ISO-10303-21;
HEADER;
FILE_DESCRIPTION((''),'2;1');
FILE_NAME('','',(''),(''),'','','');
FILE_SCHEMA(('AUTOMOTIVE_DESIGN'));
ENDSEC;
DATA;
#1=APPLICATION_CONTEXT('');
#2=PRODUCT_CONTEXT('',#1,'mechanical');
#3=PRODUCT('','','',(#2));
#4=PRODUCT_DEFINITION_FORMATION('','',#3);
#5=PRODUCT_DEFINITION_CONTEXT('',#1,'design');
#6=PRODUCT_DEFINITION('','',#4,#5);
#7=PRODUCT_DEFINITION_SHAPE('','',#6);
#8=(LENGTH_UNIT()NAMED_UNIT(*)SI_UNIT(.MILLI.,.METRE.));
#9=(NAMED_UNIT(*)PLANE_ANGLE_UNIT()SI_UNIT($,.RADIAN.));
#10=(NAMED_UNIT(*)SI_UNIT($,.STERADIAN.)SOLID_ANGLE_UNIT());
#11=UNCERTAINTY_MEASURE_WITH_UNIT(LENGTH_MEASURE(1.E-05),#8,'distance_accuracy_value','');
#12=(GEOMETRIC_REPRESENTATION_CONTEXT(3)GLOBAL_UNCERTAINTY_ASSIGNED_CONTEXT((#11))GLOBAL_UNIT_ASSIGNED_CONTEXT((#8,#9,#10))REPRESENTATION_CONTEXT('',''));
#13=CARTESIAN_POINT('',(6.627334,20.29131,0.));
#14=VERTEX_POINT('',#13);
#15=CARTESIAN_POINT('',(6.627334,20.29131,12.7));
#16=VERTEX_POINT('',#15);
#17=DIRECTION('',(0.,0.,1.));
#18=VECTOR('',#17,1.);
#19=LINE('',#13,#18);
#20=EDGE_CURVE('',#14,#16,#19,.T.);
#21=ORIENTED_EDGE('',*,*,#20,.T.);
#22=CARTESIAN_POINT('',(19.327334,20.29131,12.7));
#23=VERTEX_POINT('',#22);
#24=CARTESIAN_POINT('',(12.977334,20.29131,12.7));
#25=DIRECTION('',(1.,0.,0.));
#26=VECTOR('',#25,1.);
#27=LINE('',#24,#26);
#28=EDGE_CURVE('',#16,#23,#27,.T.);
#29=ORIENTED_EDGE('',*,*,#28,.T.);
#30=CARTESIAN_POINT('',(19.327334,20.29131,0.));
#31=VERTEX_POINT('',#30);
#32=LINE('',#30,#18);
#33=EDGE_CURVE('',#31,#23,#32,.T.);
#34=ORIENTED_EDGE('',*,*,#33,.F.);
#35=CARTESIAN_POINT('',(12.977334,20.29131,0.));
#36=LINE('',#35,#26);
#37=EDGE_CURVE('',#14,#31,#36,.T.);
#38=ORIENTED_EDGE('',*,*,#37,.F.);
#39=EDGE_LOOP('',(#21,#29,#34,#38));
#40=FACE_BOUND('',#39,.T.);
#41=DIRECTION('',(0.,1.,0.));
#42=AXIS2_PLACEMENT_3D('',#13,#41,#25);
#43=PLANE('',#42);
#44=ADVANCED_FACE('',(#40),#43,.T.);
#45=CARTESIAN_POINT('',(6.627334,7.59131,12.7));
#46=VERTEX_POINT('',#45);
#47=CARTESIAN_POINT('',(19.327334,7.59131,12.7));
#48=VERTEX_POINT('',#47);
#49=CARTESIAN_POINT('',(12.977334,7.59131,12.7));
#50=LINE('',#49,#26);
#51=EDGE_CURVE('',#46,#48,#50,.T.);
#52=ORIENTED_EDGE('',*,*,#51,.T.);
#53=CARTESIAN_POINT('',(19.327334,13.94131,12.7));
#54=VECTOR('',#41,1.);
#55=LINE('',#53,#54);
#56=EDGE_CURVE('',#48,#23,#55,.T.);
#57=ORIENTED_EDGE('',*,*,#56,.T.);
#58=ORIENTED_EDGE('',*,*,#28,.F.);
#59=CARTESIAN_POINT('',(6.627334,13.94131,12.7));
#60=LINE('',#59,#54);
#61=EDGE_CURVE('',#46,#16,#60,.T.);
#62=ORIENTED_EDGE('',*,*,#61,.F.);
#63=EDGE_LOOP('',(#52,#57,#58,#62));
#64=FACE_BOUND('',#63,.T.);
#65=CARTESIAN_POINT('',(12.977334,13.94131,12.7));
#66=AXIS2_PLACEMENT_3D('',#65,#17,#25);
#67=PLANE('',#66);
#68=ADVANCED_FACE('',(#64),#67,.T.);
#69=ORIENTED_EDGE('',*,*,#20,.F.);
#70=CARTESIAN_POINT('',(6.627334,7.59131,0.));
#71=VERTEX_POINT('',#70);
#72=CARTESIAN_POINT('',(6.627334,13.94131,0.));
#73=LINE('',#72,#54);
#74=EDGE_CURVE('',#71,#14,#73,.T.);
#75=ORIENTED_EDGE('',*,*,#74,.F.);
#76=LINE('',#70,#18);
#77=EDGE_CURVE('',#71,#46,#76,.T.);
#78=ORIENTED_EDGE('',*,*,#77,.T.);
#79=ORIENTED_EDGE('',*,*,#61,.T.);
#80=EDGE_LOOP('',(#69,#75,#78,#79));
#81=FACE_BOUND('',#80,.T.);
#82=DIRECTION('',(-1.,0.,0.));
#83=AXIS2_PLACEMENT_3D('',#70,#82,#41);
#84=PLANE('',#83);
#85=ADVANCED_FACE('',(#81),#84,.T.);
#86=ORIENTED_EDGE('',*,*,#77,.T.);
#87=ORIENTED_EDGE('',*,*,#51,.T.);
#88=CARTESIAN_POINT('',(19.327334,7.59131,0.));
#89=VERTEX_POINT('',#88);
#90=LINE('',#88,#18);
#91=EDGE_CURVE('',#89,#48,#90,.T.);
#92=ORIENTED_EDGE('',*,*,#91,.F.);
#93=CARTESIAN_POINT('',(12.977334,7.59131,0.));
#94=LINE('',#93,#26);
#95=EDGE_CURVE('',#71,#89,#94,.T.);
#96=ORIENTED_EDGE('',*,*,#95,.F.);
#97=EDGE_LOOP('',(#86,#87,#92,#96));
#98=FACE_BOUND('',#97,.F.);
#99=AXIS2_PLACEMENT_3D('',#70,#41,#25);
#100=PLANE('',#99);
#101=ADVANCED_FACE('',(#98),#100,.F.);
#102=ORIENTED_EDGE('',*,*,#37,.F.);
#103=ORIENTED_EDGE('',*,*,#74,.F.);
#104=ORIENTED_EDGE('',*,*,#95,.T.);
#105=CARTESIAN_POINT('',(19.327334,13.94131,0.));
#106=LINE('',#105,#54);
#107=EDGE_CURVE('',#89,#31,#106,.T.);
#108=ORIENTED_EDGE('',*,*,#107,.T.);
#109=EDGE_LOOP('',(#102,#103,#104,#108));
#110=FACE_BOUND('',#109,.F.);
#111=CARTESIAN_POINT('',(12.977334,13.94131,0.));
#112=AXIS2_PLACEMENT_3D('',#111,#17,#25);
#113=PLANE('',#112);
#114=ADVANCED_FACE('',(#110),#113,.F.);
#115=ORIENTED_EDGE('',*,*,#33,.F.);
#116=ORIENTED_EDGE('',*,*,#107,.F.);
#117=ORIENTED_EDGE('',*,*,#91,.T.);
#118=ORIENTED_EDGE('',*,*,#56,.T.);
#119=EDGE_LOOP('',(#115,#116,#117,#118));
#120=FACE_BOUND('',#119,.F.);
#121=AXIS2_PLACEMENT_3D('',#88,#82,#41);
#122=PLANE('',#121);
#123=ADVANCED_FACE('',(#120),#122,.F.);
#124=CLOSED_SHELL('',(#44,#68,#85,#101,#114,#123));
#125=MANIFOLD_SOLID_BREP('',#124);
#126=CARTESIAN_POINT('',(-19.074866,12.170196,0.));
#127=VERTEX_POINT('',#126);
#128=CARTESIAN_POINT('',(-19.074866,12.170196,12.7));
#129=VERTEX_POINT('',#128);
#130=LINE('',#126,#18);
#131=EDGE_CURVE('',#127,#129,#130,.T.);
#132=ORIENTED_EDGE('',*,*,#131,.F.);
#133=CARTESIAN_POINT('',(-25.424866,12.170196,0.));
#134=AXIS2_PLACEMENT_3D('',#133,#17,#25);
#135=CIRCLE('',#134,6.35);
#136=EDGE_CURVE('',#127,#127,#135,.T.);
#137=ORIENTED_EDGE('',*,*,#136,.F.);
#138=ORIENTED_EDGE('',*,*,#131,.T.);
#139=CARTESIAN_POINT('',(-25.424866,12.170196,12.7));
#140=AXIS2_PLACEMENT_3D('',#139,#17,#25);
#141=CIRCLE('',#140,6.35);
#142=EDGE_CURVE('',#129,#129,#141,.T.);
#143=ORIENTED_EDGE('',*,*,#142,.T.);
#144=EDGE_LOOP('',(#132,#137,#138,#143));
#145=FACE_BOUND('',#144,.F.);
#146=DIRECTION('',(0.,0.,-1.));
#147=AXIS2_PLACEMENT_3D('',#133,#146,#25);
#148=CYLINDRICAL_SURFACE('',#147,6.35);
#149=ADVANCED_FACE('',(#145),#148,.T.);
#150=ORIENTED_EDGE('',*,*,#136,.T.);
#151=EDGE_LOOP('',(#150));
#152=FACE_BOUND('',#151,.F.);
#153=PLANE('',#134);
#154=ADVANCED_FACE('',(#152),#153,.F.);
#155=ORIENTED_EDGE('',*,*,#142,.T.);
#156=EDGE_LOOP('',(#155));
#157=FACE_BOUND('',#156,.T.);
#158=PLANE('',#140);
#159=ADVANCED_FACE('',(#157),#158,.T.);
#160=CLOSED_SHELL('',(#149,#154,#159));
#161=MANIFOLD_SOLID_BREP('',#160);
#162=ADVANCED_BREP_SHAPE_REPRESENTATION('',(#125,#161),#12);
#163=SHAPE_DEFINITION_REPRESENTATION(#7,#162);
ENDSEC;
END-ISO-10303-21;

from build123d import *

# Parameters (mm, degrees)
F0_R     = 6.35
F0_W     = 12.7
F0_H     = 12.7
F1_DEPTH = 12.7


with BuildPart() as f1:
    # F0 (on Top) → F1 (new body)
    with BuildSketch(Plane.XY):
        with Locations((-25.424866, 12.170196)):
            Circle(F0_R)
        with Locations((12.977334, 13.94131)):
            Rectangle(F0_W, F0_H)
    extrude(amount=F1_DEPTH)


solid = f1.part
